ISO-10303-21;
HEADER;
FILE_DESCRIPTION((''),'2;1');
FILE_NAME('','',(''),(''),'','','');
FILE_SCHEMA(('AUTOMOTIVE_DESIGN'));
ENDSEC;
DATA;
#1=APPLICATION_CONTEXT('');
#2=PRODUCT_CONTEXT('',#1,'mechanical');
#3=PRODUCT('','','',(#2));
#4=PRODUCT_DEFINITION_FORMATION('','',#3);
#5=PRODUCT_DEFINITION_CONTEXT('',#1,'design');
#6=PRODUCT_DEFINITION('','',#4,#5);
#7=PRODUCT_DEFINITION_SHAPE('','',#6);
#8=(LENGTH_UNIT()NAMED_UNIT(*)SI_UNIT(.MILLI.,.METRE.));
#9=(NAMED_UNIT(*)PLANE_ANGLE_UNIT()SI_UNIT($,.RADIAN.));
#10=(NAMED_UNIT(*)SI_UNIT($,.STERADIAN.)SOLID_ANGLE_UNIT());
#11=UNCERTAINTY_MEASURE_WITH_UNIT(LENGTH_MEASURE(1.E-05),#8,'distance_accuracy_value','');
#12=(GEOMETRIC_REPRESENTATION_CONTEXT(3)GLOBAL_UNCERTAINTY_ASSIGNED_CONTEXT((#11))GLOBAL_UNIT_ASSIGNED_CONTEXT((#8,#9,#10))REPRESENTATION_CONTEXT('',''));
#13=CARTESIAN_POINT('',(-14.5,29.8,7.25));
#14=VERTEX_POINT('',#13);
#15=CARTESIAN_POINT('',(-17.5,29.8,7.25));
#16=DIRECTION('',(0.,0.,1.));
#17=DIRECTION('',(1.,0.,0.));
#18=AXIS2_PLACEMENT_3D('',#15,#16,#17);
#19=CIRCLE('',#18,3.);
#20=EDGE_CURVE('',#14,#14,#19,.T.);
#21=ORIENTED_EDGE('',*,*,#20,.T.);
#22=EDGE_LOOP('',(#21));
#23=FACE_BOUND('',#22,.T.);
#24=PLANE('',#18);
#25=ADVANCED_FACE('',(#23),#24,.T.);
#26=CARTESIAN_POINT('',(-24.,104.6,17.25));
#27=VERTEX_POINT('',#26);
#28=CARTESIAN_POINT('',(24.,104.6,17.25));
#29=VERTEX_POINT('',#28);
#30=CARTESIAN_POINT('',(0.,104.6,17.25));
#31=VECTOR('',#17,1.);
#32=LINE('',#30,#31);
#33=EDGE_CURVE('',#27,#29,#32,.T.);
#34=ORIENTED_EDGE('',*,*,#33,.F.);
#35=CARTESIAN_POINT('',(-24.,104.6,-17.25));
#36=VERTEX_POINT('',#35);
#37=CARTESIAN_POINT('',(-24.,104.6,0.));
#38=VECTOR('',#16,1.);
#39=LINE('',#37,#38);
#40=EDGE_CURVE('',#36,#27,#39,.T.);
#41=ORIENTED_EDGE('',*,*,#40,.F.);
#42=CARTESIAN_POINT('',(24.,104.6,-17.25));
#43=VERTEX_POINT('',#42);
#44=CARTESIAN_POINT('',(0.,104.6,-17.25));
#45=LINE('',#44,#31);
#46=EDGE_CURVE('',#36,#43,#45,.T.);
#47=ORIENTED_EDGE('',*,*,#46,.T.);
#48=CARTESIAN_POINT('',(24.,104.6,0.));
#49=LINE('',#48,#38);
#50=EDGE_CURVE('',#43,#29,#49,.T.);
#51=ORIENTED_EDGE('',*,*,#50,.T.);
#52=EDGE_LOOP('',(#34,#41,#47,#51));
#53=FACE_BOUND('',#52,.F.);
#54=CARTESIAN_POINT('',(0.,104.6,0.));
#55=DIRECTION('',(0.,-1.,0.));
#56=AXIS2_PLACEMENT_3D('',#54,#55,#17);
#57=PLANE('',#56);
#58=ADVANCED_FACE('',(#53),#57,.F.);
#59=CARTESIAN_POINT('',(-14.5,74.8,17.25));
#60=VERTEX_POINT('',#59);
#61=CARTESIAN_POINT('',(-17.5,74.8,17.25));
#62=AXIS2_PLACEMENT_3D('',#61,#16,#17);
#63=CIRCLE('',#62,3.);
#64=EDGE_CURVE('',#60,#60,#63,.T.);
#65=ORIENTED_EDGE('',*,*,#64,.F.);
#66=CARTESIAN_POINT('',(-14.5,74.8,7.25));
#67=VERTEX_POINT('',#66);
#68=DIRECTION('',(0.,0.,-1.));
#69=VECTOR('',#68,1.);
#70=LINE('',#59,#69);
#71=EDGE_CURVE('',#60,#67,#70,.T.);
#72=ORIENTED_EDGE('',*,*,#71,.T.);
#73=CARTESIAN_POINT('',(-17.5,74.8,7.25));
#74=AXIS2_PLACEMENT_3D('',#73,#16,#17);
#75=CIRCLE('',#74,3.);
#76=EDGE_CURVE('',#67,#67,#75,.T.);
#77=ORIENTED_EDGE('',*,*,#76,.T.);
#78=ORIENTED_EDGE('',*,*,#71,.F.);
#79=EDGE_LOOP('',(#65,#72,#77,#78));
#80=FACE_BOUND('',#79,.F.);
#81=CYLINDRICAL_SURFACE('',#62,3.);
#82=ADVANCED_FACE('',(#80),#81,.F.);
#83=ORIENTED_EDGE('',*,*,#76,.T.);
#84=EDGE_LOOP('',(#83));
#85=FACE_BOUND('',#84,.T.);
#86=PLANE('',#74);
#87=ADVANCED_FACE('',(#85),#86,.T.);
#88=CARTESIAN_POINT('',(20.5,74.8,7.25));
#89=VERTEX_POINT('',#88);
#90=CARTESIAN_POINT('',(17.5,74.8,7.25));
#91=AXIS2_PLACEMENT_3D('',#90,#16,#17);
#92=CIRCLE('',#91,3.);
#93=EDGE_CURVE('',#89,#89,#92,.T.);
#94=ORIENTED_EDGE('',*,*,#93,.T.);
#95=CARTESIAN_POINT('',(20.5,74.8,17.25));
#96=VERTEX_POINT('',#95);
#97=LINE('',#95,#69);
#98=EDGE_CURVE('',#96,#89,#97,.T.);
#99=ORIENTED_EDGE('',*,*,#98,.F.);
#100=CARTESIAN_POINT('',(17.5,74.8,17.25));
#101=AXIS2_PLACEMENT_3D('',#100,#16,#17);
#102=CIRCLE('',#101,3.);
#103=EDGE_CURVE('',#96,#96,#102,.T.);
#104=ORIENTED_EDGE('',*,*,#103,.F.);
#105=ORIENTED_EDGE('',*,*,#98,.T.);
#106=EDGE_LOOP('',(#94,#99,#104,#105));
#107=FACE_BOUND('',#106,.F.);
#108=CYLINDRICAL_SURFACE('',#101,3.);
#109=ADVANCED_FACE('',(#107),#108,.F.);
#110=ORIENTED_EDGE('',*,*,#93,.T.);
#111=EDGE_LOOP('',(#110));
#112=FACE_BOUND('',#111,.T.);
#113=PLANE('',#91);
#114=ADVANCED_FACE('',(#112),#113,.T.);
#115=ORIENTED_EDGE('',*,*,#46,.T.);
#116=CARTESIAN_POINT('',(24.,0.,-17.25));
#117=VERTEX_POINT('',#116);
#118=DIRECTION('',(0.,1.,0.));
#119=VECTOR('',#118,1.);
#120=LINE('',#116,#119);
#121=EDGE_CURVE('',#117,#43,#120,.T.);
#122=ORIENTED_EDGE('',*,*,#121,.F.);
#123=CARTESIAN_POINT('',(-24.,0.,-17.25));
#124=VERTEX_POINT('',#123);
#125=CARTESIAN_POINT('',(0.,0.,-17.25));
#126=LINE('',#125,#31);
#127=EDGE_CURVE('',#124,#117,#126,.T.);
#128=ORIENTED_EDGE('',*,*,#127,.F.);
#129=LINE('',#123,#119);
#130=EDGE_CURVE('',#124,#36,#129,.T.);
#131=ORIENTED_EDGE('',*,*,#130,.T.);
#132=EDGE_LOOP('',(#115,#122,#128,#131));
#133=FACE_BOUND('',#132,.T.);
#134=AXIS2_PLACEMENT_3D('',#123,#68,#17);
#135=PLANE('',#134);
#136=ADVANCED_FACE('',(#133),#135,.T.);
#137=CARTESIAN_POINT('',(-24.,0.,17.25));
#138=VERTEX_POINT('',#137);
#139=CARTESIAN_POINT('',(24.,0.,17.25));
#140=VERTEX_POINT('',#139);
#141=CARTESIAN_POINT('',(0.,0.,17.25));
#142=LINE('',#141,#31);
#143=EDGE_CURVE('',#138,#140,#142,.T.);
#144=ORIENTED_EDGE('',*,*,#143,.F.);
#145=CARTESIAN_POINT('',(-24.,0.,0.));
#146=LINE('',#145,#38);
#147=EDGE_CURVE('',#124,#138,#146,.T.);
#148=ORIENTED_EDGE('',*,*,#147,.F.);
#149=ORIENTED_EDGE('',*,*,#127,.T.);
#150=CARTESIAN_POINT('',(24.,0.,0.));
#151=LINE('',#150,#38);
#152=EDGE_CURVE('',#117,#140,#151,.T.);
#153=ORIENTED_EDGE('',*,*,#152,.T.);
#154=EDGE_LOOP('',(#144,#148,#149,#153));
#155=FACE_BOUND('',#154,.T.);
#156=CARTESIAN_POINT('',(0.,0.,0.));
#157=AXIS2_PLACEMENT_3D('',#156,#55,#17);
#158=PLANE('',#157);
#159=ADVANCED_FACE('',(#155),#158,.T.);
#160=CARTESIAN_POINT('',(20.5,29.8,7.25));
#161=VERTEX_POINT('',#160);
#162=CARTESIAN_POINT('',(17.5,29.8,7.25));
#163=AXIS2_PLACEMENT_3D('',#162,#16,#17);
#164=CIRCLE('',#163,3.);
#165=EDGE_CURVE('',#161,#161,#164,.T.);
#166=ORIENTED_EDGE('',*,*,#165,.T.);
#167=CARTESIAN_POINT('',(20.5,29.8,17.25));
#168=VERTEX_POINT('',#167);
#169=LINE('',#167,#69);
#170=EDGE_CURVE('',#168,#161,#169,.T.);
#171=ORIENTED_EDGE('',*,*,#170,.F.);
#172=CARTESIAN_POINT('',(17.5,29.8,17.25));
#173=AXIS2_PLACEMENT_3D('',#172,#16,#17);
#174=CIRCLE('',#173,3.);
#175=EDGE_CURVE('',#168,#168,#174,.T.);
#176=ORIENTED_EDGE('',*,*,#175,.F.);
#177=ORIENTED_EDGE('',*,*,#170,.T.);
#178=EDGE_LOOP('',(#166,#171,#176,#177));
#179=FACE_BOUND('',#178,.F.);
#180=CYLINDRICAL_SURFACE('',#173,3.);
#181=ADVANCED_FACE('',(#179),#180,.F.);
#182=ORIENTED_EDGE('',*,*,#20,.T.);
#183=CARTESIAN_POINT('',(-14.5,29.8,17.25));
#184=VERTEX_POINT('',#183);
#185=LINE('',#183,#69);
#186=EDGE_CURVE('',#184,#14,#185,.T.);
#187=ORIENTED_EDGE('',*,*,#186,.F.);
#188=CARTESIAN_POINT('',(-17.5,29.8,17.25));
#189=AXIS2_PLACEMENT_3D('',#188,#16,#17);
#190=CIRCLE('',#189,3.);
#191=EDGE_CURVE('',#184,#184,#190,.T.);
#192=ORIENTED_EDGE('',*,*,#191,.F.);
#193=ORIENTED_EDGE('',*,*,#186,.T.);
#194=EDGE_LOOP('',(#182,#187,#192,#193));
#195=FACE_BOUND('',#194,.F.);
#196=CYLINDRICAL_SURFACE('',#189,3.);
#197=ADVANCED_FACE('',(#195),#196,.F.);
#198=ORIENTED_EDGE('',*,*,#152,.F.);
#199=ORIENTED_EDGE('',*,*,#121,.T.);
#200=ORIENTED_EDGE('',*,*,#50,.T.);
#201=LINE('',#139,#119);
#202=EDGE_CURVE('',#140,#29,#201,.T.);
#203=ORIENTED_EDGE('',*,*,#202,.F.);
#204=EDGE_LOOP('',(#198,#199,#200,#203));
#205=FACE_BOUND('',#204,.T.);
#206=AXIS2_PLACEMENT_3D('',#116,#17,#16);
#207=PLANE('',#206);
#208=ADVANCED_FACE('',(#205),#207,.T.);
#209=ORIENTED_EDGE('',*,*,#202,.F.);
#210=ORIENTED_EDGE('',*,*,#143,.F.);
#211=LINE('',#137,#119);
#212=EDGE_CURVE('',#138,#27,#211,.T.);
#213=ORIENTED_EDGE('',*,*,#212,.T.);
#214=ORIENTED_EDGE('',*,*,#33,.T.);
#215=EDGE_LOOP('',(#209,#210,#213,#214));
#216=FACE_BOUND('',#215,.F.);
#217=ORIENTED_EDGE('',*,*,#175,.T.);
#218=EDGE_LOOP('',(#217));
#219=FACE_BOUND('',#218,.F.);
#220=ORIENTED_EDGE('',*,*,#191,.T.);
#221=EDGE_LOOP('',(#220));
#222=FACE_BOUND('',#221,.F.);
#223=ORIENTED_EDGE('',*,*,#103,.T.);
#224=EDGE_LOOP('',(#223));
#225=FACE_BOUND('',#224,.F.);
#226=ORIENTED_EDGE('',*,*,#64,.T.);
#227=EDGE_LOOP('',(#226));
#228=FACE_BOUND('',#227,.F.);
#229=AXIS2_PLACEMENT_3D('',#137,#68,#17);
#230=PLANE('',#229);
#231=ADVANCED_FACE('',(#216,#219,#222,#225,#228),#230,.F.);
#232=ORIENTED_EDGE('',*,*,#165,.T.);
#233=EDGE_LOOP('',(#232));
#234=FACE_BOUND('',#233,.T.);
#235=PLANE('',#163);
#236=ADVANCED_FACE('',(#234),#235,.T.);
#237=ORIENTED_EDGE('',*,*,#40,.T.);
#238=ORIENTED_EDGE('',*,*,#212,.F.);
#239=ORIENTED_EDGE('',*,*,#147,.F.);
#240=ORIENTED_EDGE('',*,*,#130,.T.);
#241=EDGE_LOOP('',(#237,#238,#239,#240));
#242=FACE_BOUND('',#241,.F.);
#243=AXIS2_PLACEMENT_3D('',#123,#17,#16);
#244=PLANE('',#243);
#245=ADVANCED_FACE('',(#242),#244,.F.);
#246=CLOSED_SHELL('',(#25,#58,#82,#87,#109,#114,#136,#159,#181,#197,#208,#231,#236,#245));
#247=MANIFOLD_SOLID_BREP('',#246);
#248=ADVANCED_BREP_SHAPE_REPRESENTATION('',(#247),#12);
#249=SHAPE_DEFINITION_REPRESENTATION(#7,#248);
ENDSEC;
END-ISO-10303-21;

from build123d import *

# Parameters (mm, degrees)
F0_W     = 48
F0_H     = 34.5
F1_DEPTH = 104.6
F2_R     = 3
F3_DEPTH = 10


with BuildPart() as f1:
    # F0 (on Front) → F1 (new body)
    with BuildSketch(Plane.XZ):
        Rectangle(F0_W, F0_H)
    extrude(amount=-F1_DEPTH)

    # F2 (on face) → F3 (cut)
    with BuildSketch(Plane.XY.offset(17.25)):
        with Locations((-17.5, 74.8)):
            Circle(F2_R)
        with Locations((-17.5, 29.8)):
            Circle(F2_R)
        with Locations((17.5, 29.8)):
            Circle(F2_R)
        with Locations((17.5, 74.8)):
            Circle(F2_R)
    extrude(amount=-F3_DEPTH, mode=Mode.SUBTRACT)


solid = f1.part
